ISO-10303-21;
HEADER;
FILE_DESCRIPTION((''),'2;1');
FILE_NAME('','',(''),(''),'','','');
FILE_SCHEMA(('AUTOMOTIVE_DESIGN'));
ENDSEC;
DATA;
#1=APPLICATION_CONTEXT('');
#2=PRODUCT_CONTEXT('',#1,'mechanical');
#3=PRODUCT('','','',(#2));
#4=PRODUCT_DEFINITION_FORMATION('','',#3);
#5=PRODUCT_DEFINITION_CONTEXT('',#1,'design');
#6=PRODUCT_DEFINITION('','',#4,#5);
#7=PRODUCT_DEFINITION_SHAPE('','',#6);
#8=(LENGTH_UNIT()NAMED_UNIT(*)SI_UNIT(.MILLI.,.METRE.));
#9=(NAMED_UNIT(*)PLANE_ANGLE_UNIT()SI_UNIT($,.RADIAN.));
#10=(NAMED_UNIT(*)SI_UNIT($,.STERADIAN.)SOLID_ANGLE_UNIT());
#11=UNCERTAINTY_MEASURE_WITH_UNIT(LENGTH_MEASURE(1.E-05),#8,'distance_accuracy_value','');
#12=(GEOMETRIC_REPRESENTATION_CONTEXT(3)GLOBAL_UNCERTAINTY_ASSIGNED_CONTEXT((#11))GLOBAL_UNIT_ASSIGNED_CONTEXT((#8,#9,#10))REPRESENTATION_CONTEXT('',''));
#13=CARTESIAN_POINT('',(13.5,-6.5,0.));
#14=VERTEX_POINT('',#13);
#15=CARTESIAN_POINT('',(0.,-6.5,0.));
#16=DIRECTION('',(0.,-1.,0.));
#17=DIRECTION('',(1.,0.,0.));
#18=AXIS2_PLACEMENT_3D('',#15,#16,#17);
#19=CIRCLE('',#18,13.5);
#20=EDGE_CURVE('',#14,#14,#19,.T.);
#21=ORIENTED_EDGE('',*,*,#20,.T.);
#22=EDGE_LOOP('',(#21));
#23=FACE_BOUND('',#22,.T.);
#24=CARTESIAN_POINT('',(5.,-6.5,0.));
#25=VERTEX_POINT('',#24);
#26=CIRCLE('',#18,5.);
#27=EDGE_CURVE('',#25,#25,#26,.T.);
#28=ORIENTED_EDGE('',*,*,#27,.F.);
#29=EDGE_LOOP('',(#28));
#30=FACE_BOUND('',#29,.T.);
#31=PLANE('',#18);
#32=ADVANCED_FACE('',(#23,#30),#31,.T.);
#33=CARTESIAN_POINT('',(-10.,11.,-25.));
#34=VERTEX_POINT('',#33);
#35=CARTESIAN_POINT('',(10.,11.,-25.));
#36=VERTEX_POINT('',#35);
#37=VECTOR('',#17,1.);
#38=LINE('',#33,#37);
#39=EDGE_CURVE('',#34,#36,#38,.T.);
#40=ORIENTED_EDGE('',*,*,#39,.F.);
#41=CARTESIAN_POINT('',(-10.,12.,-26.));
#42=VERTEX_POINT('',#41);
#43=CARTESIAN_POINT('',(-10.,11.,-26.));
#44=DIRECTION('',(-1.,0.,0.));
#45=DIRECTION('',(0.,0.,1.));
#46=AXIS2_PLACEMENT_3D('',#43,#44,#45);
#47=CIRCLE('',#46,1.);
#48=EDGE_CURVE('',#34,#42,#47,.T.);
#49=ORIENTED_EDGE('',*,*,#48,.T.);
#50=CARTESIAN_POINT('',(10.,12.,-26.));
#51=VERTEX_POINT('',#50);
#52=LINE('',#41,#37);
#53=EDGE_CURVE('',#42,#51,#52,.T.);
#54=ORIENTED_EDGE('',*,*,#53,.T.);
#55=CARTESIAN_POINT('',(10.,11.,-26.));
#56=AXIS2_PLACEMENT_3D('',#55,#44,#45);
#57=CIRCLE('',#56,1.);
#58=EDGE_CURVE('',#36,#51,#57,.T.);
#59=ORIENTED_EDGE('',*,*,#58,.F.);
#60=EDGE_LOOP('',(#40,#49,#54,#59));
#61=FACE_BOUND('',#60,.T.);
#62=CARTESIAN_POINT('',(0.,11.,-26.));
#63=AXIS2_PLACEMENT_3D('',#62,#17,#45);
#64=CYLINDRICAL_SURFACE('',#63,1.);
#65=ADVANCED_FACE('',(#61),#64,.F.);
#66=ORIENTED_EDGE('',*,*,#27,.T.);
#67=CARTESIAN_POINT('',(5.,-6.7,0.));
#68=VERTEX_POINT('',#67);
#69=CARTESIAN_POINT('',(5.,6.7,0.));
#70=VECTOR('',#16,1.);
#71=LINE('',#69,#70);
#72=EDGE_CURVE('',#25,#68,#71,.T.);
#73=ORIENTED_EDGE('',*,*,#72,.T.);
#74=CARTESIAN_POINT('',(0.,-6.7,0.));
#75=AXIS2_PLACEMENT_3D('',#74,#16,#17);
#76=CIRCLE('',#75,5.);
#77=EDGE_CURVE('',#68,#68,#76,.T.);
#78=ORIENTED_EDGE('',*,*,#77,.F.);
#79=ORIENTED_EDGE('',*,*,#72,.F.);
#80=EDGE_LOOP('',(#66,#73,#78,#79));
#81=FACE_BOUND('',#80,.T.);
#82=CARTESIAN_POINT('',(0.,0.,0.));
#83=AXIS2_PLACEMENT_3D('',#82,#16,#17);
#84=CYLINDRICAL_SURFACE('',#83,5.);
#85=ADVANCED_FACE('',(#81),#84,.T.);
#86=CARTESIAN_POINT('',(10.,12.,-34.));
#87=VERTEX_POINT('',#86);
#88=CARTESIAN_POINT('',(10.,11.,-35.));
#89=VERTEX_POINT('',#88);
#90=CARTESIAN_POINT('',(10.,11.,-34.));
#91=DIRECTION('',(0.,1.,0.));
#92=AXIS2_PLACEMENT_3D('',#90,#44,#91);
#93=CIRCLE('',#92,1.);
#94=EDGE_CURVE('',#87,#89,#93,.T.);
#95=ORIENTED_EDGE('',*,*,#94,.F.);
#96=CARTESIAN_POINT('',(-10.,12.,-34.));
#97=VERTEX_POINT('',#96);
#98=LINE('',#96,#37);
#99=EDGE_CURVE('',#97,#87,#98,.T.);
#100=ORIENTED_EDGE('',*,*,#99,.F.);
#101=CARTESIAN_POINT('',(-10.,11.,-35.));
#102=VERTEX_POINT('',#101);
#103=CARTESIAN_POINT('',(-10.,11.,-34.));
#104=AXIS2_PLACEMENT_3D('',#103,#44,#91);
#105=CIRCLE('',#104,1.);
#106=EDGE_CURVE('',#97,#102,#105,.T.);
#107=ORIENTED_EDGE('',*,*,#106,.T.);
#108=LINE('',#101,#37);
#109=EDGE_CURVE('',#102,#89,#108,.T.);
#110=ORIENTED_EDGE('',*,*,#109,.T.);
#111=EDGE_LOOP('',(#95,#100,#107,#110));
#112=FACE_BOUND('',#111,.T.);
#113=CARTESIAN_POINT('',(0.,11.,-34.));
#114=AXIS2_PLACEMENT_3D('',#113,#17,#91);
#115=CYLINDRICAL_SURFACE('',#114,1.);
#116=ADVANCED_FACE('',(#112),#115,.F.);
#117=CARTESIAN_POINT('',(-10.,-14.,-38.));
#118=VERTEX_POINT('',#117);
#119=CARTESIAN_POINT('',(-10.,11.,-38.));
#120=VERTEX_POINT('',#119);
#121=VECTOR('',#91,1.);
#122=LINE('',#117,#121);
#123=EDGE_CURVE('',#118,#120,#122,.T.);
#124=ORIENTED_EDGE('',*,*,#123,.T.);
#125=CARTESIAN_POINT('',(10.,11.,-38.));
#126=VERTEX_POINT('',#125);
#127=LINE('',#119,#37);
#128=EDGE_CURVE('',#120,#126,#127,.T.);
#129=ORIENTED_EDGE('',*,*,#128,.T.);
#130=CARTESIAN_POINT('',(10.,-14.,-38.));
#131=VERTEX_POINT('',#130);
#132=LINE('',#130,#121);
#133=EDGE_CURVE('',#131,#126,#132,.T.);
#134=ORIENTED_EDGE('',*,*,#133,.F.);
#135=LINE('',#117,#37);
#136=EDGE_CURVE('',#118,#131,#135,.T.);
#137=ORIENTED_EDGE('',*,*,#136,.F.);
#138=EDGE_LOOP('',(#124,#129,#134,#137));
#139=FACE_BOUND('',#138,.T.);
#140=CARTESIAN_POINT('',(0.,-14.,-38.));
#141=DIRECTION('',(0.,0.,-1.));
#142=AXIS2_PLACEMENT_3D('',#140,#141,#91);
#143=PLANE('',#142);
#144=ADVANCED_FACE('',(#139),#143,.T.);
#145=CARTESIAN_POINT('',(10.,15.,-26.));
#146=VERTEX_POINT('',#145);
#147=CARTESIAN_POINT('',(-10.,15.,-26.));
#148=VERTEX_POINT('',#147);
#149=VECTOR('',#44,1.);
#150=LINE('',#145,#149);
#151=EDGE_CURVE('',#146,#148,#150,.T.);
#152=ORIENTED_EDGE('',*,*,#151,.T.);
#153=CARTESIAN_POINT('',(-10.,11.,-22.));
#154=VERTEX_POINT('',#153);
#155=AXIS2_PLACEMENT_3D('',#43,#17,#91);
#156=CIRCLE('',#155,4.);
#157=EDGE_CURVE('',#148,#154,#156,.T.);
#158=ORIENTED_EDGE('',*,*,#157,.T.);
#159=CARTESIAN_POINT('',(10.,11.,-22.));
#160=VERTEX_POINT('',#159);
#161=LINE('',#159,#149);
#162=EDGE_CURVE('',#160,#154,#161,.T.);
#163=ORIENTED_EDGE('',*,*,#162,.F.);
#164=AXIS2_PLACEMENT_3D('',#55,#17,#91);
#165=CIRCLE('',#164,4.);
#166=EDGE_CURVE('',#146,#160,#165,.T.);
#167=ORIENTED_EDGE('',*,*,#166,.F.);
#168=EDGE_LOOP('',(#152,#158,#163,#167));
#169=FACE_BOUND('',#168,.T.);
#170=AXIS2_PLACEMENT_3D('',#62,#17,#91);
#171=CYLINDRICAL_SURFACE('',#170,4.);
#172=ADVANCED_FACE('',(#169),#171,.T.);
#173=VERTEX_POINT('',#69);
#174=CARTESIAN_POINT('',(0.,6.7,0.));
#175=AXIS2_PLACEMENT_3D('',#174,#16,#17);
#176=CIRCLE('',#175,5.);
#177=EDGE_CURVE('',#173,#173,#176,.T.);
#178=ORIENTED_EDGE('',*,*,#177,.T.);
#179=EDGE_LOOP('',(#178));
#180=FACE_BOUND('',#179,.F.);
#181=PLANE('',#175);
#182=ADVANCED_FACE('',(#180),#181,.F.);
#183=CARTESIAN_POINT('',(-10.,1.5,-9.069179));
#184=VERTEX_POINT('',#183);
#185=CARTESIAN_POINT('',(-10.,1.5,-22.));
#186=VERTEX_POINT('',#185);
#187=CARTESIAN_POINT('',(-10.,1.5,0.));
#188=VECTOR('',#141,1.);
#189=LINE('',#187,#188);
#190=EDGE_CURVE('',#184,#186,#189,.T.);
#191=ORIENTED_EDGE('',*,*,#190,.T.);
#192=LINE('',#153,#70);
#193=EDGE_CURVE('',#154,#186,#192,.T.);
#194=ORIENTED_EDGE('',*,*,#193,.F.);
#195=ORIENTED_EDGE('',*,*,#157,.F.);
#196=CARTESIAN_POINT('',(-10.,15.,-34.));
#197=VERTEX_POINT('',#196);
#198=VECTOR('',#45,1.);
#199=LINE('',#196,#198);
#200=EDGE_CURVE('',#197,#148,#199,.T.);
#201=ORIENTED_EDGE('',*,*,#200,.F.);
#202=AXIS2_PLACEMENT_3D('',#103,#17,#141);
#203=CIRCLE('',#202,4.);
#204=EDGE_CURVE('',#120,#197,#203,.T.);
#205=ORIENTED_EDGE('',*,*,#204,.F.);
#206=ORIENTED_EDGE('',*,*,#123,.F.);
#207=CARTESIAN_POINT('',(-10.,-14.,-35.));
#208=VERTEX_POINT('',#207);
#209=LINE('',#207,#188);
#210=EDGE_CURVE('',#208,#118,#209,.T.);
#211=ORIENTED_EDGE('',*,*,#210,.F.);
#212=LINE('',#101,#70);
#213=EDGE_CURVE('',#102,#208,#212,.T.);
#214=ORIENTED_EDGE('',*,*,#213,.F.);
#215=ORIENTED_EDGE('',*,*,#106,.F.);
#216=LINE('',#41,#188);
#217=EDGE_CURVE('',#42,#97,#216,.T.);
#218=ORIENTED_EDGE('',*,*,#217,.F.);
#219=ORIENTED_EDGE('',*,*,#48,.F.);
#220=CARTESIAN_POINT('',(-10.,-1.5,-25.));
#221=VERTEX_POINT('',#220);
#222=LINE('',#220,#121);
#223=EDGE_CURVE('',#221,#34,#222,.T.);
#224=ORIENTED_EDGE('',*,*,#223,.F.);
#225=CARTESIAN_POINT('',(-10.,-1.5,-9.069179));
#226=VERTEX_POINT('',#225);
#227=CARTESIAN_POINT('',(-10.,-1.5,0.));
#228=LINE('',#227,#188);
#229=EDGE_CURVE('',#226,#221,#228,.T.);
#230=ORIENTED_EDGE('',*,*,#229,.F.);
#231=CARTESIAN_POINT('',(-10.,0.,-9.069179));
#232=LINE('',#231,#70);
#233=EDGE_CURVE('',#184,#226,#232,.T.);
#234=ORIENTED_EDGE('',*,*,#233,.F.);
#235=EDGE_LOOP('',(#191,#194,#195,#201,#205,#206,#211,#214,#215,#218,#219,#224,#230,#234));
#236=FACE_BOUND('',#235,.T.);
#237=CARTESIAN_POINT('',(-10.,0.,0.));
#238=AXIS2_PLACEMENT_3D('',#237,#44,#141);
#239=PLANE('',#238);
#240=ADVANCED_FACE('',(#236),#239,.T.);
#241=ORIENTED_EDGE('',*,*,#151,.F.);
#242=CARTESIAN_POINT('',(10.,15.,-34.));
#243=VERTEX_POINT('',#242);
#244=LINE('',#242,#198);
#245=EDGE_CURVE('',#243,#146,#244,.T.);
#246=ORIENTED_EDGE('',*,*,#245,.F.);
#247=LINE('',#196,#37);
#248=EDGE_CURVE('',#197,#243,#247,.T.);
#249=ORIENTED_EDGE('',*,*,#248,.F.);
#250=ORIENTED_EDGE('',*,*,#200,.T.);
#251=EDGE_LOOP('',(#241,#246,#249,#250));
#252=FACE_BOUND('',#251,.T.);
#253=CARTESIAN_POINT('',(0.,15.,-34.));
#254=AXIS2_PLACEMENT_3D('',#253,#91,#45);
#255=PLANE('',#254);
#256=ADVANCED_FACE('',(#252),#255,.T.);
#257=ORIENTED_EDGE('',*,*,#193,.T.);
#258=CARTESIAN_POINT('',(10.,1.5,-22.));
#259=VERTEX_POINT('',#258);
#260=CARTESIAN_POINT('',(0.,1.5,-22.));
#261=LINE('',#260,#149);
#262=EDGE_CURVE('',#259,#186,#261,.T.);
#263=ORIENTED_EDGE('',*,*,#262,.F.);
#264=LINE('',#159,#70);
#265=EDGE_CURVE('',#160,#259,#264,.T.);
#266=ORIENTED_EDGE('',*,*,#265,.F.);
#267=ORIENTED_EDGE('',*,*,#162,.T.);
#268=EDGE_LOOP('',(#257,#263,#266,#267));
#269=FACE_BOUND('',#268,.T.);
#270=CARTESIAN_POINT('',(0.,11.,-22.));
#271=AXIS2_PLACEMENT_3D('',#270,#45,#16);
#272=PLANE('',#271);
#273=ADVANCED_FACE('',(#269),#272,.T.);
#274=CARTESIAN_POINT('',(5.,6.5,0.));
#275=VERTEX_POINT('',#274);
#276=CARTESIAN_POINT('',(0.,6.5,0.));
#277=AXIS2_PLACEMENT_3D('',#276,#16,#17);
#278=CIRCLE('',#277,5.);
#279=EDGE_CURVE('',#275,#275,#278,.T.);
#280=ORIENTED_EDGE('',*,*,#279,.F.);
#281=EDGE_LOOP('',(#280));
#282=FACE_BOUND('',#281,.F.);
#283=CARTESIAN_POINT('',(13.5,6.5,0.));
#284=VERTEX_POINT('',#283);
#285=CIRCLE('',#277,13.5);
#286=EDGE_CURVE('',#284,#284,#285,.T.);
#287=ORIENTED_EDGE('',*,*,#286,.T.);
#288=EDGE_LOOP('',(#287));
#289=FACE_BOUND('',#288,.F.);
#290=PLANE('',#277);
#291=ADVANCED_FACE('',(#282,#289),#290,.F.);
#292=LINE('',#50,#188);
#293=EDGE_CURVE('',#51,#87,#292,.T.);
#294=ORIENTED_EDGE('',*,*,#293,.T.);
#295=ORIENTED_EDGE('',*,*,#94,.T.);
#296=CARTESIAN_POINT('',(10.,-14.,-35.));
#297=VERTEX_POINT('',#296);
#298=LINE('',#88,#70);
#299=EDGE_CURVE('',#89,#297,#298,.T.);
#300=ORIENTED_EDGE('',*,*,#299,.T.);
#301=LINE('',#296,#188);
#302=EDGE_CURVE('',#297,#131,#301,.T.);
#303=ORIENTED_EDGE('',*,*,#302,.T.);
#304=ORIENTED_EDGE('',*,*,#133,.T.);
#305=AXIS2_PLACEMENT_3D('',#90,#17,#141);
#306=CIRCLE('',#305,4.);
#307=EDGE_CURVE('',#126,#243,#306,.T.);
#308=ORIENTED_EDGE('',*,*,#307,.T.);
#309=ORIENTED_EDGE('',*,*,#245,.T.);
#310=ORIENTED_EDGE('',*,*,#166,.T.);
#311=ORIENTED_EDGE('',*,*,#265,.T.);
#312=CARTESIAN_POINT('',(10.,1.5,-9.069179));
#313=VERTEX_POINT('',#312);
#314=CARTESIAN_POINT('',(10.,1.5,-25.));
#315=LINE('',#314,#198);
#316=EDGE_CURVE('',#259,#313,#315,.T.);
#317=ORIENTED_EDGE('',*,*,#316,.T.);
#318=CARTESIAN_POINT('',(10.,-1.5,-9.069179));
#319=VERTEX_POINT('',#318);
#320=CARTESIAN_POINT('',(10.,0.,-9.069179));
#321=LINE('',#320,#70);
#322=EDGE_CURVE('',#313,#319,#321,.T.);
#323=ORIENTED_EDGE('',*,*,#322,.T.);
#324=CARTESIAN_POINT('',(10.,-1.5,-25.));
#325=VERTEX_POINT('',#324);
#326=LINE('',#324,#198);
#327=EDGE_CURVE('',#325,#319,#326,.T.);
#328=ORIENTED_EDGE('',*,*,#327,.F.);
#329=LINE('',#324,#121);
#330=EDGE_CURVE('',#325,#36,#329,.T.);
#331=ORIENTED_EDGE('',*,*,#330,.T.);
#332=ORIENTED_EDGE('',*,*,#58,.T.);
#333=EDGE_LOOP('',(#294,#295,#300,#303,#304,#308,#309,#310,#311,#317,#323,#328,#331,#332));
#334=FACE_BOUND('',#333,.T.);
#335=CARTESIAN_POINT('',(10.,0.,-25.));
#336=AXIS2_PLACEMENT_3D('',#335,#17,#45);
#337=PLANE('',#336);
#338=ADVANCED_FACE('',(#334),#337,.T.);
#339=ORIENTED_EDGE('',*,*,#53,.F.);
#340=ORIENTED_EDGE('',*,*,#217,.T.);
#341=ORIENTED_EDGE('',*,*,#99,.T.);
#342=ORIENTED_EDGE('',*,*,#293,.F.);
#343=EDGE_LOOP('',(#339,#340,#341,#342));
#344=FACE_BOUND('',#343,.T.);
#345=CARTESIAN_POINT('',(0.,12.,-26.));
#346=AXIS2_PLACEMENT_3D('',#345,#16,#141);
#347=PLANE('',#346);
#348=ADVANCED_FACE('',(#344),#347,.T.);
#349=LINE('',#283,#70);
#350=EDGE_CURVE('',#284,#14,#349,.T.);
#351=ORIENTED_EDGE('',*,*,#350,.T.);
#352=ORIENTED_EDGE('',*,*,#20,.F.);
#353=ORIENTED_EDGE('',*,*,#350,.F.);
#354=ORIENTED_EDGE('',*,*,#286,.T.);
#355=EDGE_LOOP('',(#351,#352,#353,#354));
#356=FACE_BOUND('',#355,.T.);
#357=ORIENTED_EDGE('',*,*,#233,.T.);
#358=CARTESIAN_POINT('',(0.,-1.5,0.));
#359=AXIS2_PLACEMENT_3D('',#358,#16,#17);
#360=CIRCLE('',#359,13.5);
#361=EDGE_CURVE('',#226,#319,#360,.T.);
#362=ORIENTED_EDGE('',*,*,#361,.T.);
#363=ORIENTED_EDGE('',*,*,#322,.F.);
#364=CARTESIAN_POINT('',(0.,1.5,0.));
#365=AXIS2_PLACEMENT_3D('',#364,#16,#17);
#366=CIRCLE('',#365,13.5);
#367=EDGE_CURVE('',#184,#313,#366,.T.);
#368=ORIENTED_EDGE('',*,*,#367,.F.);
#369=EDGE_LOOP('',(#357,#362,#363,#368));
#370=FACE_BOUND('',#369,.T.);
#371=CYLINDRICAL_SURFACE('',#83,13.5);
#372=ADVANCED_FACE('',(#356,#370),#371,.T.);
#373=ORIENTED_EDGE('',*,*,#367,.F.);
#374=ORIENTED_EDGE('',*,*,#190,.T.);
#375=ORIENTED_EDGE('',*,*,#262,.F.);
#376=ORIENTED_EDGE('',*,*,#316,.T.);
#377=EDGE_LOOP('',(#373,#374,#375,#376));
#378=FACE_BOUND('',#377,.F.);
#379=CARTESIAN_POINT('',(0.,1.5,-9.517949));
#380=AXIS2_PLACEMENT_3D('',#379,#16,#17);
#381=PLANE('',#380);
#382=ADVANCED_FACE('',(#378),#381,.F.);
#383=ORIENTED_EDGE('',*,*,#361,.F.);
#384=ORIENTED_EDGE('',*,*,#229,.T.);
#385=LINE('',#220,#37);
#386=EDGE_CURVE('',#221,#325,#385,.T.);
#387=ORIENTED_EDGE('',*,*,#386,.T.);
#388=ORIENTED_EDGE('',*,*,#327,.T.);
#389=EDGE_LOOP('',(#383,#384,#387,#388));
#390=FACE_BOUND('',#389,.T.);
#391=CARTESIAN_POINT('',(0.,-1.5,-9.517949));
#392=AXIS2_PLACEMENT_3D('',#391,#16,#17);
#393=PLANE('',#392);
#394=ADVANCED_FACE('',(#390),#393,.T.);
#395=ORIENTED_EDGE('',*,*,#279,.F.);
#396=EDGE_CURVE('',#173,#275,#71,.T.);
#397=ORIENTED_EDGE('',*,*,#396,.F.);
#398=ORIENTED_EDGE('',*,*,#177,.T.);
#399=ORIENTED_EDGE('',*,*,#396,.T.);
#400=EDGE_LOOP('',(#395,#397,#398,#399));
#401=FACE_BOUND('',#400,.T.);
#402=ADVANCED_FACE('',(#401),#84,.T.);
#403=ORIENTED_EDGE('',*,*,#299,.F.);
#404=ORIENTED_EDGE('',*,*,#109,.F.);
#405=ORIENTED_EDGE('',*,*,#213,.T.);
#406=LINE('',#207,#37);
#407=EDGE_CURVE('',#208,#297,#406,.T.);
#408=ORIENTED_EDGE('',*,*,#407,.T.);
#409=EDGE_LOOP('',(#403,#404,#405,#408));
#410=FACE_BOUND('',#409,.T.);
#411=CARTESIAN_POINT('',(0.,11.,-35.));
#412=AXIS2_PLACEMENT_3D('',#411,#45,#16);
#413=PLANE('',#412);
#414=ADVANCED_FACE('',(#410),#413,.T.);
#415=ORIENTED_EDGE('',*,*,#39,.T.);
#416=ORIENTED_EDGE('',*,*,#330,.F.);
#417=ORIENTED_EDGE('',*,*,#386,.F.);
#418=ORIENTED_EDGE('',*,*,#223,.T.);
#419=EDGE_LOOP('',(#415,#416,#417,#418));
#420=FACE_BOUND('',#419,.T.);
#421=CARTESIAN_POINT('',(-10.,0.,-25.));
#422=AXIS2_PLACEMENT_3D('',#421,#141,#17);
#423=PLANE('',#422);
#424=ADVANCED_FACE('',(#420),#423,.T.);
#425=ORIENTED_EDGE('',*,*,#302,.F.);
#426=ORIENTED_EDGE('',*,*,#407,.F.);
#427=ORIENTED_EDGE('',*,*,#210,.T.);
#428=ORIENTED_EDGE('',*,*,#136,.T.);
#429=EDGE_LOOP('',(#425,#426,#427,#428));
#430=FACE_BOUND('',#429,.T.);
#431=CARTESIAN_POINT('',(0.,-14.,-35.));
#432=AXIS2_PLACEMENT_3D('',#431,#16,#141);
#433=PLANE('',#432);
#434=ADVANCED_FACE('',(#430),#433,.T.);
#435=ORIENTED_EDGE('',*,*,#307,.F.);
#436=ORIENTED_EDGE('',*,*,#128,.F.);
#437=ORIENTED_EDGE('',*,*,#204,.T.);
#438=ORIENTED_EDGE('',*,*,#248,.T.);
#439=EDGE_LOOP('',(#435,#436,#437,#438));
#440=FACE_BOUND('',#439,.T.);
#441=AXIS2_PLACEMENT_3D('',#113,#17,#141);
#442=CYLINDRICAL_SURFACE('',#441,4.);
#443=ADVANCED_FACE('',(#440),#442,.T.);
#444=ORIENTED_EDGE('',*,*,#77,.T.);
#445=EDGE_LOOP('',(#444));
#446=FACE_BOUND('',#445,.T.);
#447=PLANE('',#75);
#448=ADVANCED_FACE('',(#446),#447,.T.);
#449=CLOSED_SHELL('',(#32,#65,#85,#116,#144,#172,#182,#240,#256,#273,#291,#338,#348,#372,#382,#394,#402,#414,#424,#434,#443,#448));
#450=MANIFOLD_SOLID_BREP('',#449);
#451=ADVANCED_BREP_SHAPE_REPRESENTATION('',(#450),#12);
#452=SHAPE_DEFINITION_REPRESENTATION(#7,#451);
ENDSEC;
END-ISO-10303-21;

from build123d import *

# Parameters (mm, degrees)
F0_R     = 13.5
F0_R_2   = 5
F1_DEPTH = 6.5
F2_DEPTH = 6.7
F3_R     = 5
F4_DEPTH = 1.5
F6_DEPTH = 10


with BuildPart() as f1:
    # F0 (on Front) → F1 (new body, symmetric)
    with BuildSketch(Plane.XZ):
        Circle(F0_R)
        Circle(F0_R_2, mode=Mode.SUBTRACT)
    extrude(amount=F1_DEPTH, both=True)

    # F0 (on Front) → F2 (join, symmetric)
    with BuildSketch(Plane.XZ):
        Circle(F0_R_2)
    extrude(amount=F2_DEPTH, both=True)

    # F3 (on Front) → F4 (join, symmetric)
    with BuildSketch(Plane.XZ):
        with BuildLine():
            Line((10, -25), (10, 0))
            ThreePointArc((10, 0), (0, 10), (-10, 0))
            Line((-10, 0), (-10, -25))
            Line((-10, -25), (10, -25))
        make_face()
        Circle(F3_R, mode=Mode.SUBTRACT)
    extrude(amount=F4_DEPTH, both=True)

    # F5 (on Right) → F6 (join, symmetric)
    with BuildSketch(Plane.YZ):
        with BuildLine():
            Line((0, -22), (0, -25))
            Line((0, -25), (1.5, -25))
            Line((1.5, -25), (11, -25))
            ThreePointArc((11, -25), (11.7071067812, -25.2928932188), (12, -26))
            Line((12, -26), (12, -34))
            ThreePointArc((12, -34), (11.7071067812, -34.7071067812), (11, -35))
            Line((11, -35), (-14, -35))
            Line((-14, -35), (-14, -38))
            Line((-14, -38), (11, -38))
            ThreePointArc((11, -38), (13.8284271247, -36.8284271247), (15, -34))
            Line((15, -34), (15, -26))
            ThreePointArc((15, -26), (13.8284271247, -23.1715728753), (11, -22))
            Line((11, -22), (0, -22))
        make_face()
    extrude(amount=F6_DEPTH, both=True)


solid = f1.part
